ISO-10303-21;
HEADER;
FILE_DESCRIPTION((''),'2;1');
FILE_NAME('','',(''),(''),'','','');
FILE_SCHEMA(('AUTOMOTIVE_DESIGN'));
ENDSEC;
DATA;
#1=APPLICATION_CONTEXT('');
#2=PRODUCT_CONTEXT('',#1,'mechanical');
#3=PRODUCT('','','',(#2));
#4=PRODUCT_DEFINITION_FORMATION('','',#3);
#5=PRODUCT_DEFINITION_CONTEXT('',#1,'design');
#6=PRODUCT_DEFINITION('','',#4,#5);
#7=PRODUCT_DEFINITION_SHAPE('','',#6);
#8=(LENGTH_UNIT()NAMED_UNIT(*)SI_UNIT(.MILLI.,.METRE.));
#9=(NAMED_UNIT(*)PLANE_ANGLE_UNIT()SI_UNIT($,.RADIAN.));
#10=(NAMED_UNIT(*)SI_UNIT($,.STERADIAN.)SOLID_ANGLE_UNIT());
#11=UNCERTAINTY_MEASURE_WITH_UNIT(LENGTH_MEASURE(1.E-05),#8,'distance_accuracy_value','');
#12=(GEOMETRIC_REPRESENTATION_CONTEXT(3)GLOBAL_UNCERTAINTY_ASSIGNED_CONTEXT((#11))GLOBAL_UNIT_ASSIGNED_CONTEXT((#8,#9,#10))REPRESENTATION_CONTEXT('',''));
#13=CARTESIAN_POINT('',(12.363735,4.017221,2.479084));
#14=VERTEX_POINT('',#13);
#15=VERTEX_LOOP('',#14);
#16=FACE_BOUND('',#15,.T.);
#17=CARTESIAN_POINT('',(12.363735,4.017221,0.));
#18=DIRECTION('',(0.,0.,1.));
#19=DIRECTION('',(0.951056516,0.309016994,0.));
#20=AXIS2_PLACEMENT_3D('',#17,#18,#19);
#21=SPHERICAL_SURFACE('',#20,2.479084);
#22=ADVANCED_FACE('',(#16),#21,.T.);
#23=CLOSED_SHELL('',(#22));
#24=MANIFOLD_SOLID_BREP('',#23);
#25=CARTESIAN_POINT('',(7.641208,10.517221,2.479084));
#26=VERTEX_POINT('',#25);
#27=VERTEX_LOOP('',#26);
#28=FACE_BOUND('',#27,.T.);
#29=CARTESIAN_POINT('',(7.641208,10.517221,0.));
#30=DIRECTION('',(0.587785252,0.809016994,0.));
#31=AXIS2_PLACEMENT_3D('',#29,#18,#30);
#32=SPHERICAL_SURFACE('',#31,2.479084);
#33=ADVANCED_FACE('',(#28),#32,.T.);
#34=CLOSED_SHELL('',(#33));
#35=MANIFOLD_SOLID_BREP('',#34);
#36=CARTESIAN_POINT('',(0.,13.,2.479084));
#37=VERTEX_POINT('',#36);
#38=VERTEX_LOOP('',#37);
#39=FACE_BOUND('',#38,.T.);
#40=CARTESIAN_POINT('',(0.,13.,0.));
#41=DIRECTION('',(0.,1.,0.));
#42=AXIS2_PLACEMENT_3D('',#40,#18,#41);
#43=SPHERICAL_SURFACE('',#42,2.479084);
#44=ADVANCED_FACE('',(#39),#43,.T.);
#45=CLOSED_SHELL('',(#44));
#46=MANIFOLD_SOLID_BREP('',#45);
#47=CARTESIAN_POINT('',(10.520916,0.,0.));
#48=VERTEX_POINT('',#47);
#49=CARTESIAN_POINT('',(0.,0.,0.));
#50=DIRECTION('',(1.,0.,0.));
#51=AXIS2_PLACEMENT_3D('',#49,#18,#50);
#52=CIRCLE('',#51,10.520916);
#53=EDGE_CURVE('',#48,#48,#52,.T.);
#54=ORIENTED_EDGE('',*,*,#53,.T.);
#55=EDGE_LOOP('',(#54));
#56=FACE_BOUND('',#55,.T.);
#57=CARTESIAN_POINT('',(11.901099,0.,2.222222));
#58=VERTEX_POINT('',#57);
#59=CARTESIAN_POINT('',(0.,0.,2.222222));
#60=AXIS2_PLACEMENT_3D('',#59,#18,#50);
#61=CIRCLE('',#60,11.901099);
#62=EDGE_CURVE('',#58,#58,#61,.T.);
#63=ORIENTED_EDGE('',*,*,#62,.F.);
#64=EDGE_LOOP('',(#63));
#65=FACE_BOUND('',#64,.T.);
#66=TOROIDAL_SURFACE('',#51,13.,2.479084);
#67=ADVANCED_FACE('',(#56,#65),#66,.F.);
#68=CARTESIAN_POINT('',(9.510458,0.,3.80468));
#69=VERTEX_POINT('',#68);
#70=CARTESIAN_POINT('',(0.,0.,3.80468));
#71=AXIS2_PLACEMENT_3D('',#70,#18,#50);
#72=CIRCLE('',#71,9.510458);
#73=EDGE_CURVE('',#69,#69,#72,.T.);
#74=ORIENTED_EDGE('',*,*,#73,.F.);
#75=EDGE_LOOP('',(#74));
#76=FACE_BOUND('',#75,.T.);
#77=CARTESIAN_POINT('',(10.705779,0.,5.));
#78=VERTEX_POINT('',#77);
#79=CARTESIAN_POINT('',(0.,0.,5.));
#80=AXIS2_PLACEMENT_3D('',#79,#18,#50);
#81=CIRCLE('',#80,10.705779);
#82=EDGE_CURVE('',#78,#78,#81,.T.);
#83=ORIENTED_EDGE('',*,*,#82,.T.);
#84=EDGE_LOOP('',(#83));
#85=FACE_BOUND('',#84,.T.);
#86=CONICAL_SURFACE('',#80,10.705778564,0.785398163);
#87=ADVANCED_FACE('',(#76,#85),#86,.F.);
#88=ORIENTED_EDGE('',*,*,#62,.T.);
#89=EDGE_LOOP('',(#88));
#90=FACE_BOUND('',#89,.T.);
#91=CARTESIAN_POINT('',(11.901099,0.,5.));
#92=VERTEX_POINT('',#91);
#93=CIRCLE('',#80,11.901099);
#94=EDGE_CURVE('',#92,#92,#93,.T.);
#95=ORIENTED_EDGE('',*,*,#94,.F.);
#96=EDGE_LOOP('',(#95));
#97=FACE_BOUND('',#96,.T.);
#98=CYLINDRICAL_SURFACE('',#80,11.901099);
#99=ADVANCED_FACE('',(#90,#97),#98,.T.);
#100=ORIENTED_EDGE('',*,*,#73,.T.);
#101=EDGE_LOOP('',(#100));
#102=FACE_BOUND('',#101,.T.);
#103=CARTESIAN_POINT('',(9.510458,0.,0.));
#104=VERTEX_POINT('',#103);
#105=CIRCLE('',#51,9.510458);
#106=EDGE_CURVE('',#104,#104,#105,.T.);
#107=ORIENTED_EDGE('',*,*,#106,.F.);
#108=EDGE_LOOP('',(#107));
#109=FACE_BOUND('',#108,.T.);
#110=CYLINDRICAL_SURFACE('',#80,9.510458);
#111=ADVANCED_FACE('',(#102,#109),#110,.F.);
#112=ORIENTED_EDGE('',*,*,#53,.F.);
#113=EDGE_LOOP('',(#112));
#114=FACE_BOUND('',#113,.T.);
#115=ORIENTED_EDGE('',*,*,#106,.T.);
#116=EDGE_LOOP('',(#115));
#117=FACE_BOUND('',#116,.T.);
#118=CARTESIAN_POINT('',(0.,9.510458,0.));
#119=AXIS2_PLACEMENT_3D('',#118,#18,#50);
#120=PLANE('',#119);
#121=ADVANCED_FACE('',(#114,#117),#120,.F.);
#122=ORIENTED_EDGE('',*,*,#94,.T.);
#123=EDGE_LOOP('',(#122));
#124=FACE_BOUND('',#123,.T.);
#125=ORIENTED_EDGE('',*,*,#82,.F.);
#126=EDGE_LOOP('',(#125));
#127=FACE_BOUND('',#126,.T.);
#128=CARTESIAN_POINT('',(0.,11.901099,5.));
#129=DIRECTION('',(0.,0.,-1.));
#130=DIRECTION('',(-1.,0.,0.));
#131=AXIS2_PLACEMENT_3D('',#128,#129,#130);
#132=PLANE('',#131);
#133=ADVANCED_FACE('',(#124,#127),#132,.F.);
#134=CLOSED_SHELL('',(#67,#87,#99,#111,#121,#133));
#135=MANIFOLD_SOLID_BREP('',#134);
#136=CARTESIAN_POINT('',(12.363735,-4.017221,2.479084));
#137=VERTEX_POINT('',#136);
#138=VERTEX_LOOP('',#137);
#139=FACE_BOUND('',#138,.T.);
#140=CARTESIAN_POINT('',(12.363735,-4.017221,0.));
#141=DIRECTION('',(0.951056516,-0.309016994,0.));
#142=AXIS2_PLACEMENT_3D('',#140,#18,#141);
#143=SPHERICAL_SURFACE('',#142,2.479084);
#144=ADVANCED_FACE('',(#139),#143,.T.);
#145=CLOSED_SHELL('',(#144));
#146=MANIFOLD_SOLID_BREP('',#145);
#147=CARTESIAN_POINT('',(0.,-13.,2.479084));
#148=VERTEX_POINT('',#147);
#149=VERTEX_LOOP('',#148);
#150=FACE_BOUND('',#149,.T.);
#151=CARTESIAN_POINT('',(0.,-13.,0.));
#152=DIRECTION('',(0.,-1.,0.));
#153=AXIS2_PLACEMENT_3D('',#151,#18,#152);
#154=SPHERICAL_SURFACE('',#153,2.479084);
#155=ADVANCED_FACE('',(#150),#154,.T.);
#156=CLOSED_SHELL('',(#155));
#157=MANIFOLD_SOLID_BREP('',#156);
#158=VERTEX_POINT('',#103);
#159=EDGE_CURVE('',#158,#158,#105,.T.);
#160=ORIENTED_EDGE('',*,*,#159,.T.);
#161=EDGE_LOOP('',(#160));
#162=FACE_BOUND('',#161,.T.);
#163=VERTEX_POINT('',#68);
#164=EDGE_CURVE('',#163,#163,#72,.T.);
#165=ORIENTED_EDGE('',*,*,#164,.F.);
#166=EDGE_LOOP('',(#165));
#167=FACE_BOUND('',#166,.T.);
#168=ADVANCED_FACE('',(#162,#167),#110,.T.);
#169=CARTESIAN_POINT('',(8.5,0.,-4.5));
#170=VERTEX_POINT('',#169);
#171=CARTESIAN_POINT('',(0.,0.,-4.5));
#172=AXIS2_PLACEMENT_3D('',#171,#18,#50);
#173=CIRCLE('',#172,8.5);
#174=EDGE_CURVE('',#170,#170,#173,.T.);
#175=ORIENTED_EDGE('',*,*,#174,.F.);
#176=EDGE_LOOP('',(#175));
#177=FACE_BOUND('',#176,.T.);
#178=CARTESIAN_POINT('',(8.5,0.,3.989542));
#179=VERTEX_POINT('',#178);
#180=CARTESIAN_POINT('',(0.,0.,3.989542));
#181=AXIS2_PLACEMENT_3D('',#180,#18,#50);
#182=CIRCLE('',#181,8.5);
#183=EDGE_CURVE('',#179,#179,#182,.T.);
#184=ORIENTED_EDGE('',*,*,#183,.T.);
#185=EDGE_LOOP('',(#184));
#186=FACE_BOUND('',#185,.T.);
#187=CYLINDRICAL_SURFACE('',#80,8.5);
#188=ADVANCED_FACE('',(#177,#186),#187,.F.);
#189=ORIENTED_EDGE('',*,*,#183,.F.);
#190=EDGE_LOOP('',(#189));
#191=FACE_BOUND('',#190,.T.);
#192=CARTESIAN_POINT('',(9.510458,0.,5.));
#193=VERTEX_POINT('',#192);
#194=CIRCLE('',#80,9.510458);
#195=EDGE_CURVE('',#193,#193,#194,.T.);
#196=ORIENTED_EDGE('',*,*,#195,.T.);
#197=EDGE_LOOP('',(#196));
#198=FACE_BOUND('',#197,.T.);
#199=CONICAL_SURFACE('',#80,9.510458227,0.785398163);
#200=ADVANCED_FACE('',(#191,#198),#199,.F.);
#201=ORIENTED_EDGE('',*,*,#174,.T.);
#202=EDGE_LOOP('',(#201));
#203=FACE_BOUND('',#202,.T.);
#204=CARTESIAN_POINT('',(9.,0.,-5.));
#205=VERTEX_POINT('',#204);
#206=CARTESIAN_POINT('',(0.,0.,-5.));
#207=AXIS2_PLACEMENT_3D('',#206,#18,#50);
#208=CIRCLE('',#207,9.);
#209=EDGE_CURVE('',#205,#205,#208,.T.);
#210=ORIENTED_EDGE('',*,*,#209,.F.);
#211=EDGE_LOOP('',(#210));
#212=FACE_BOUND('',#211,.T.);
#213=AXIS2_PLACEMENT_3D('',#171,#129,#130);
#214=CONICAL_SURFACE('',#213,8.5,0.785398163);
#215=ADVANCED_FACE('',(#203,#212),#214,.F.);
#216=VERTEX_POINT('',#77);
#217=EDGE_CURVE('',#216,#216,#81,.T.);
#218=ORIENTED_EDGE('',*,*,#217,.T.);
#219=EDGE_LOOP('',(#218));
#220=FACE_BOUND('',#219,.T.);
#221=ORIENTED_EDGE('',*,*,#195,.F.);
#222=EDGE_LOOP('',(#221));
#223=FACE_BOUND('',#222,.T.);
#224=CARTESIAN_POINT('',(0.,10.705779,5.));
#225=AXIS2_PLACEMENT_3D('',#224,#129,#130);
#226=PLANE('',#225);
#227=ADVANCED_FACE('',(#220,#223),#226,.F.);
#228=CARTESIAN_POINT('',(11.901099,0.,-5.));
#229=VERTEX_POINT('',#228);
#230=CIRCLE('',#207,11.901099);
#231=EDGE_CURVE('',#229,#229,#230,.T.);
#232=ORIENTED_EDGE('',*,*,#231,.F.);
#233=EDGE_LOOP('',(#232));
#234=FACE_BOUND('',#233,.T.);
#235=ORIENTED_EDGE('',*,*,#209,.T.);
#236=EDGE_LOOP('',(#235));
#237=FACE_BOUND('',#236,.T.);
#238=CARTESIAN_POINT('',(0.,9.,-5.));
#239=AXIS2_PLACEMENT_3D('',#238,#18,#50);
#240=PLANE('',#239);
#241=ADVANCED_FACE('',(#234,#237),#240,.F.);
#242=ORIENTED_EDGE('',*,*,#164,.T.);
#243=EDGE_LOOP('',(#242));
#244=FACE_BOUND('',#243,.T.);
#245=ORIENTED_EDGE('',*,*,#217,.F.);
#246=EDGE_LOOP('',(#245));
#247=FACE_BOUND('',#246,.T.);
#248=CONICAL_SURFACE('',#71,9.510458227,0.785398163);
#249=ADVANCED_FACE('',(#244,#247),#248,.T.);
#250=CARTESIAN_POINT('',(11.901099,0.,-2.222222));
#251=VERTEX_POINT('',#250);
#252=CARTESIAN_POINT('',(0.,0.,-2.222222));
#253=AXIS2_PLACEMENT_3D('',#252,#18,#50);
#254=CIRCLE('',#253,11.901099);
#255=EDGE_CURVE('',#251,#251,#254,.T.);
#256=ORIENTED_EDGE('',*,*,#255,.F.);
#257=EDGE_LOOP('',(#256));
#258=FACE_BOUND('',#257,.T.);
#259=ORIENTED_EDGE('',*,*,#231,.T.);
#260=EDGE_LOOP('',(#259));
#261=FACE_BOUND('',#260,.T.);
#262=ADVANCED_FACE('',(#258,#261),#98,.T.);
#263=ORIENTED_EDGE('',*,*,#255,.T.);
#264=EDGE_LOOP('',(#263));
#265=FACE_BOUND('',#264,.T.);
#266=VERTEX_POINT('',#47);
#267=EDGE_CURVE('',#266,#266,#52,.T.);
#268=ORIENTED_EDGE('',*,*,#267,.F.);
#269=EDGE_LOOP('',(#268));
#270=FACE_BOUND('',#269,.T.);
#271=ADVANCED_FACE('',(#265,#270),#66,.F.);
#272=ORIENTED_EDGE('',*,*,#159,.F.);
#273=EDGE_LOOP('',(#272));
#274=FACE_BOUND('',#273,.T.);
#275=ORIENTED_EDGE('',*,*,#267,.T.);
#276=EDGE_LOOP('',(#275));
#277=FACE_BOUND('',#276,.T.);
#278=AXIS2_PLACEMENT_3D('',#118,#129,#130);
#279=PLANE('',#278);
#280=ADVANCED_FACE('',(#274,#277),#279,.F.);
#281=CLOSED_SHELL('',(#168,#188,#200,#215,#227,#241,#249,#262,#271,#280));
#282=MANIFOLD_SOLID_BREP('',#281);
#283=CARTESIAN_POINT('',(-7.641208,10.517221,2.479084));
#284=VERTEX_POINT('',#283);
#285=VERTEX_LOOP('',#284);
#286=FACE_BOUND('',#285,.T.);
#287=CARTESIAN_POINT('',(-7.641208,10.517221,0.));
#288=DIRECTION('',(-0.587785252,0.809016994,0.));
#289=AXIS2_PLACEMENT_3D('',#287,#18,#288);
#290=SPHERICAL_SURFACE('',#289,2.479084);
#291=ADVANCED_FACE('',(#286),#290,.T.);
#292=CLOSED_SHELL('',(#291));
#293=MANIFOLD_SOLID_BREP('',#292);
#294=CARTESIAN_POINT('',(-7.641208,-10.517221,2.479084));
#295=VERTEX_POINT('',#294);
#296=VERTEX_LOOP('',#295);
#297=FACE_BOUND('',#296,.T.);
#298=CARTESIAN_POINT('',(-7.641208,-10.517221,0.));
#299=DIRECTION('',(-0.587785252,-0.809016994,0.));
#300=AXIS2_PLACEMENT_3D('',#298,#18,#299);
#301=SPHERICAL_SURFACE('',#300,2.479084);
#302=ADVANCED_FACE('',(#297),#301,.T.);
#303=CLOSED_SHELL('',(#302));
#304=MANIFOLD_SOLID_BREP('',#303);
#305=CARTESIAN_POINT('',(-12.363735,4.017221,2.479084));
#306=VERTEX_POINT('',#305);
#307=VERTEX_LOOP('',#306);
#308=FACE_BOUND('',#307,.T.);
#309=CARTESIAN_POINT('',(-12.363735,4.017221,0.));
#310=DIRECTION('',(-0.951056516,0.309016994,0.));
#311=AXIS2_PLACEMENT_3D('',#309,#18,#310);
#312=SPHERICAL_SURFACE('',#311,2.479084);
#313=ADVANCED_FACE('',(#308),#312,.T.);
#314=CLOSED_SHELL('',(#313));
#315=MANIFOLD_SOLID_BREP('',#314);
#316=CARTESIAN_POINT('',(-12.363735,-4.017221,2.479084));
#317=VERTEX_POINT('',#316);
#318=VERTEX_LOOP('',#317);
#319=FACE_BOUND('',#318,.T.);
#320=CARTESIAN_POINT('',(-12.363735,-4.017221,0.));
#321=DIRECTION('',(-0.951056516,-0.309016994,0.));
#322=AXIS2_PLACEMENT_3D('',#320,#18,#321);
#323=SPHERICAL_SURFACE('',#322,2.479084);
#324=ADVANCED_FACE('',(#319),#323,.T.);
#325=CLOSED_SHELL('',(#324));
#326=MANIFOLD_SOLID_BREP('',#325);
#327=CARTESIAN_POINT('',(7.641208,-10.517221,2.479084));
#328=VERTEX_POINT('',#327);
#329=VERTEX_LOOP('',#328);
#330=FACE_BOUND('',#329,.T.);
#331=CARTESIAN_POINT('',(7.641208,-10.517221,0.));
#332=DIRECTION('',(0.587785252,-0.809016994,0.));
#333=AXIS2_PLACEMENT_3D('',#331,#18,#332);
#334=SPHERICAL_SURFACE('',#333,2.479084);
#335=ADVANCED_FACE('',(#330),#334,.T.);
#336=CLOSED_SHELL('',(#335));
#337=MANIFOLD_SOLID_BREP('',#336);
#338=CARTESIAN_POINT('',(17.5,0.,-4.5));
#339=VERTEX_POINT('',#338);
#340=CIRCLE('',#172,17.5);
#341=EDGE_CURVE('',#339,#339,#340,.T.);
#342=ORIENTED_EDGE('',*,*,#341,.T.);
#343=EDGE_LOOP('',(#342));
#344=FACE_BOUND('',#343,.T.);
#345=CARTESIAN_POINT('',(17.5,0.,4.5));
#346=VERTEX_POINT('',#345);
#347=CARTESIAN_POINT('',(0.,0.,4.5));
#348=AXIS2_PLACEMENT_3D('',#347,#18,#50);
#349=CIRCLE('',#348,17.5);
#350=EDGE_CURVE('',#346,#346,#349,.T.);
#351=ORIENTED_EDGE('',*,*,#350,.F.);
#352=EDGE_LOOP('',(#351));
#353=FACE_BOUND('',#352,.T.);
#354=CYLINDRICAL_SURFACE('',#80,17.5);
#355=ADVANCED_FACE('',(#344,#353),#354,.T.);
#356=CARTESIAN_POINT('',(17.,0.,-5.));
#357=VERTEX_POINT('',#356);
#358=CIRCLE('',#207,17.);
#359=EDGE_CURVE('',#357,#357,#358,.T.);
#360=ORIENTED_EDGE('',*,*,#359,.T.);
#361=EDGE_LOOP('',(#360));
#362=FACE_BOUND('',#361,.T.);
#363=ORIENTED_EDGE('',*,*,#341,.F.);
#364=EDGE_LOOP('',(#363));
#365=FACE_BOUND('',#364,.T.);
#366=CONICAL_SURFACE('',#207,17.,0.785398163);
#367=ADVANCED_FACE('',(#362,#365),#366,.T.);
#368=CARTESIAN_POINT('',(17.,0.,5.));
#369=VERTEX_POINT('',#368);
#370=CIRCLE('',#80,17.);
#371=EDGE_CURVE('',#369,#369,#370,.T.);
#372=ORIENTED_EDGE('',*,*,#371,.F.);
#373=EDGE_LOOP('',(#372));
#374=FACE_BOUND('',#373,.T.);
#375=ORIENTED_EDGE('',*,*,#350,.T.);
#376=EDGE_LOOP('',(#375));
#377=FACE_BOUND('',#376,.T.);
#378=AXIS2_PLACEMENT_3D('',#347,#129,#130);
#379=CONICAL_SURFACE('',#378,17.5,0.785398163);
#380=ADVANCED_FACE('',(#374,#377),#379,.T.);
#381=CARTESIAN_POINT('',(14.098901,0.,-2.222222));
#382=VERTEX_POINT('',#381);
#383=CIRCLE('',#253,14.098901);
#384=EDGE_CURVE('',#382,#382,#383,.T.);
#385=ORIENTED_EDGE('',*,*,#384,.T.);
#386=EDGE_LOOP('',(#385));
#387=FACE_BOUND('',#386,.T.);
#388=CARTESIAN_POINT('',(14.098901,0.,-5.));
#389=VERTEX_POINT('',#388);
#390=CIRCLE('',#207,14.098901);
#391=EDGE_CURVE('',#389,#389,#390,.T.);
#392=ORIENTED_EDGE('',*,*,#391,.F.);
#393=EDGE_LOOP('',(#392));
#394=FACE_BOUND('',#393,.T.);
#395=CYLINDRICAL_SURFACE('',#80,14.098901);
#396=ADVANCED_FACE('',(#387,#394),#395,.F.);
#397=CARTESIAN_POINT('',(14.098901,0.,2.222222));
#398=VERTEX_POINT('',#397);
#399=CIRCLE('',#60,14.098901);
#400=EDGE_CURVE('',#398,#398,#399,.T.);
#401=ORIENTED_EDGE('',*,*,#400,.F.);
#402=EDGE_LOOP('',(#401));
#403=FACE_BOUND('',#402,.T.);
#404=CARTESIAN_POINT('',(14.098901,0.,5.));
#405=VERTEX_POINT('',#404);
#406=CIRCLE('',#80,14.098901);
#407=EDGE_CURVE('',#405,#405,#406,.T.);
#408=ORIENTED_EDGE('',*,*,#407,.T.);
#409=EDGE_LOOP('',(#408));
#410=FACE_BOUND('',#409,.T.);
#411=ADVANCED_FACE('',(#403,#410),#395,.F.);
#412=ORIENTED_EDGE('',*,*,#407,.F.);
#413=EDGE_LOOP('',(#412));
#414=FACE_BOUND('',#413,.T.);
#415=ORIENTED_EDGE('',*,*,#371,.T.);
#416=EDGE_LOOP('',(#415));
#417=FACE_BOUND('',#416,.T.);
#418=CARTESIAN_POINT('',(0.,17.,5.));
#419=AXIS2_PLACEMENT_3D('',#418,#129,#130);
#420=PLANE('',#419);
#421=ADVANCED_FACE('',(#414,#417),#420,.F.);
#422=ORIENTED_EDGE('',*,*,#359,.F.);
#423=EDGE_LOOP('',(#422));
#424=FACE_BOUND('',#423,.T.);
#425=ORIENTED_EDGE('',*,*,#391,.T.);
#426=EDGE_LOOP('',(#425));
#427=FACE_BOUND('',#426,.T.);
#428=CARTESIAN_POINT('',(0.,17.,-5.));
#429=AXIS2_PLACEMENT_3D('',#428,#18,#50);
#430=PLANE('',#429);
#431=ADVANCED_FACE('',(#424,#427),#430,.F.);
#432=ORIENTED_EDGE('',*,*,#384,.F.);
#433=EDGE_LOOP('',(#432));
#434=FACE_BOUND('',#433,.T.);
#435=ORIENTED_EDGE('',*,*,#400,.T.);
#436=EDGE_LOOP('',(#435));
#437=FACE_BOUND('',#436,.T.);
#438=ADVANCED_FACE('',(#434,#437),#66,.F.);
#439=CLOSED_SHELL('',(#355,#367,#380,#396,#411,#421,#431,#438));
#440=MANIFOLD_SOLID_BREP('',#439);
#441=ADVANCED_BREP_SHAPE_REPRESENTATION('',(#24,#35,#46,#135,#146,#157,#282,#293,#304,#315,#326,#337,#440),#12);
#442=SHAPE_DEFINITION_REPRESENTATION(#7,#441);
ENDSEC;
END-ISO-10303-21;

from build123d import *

# Parameters (mm, degrees)
CIRPATTERN1_COUNT = 10


with BuildPart() as part:
    # Sketch1 → Revolve1 (revolve)
    with BuildSketch(Plane(origin=(0, 0, 0), x_dir=(0, 0, -1), z_dir=(1, 0, 0))):
        with BuildLine():
            Line((4.5, 17.5), (-4.5, 17.5))
            Line((-4.5, 17.5), (-5, 17))
            Line((-5, 17), (-5, 14.098901099))
            Line((-5, 14.098901099), (-2.222222222, 14.098901099))
            ThreePointArc((-2.222222222, 14.098901099), (0, 15.479083546), (2.222222222, 14.098901099))
            Line((2.222222222, 14.098901099), (5, 14.098901099))
            Line((5, 14.098901099), (5, 17))
            Line((5, 17), (4.5, 17.5))
        make_face()
    revolve(axis=Axis((0, 0, 5), (0, 0, -1)))


with BuildPart() as body_2:
    # Sketch2 → Revolve2 (revolve)
    with BuildSketch(Plane(origin=(0, 0, 0), x_dir=(0, 0, -1), z_dir=(1, 0, 0))):
        with BuildLine():
            Line((-5, 11.901098901), (-2.222222222, 11.901098901))
            ThreePointArc((-2.222222222, 11.901098901), (-1.307973164, 10.894041446), (0, 10.520916454))
            Line((0, 10.520916454), (0, 9.510458227))
            Line((0, 9.510458227), (-3.804679663, 9.510458227))
            Line((-3.804679663, 9.510458227), (-5, 10.705778564))
            Line((-5, 10.705778564), (-5, 11.901098901))
        make_face()
    revolve(axis=Axis((0, 0, 5), (0, 0, -1)))


with BuildPart() as body_3:
    # Sketch3 → Revolve3 (revolve)
    with BuildSketch(Plane(origin=(0, 0, 0), x_dir=(0, 0, -1), z_dir=(1, 0, 0))):
        with BuildLine():
            Line((-5, 10.705778564), (-3.804679663, 9.510458227))
            Line((-3.804679663, 9.510458227), (0, 9.510458227))
            Line((0, 9.510458227), (0, 10.520916454))
            ThreePointArc((0, 10.520916454), (1.307973164, 10.894041446), (2.222222222, 11.901098901))
            Line((2.222222222, 11.901098901), (5, 11.901098901))
            Line((5, 11.901098901), (5, 9))
            Line((5, 9), (4.5, 8.5))
            Line((4.5, 8.5), (-3.989541773, 8.5))
            Line((-3.989541773, 8.5), (-5, 9.510458227))
            Line((-5, 9.510458227), (-5, 10.705778564))
        make_face()
    revolve(axis=Axis((0, 0, 5), (0, 0, -1)))


with BuildPart() as body_4:
    # Sketch4 → Revolve4 (revolve)
    with BuildSketch(Plane(origin=(0, 0, 0), x_dir=(0, 0, -1), z_dir=(1, 0, 0))):
        with BuildLine():
            Line((-2.479083546, 13), (2.479083546, 13))
            ThreePointArc((2.479083546, 13), (0, 15.479083546), (-2.479083546, 13))
        make_face()
    revolve(axis=Axis((0, 13, 2.479083546), (0, 0, -1)))


with BuildPart() as cirpattern1_1:
    # CirPattern1: pattern copy
    add(body_4.part.rotate(Axis((0, 0, -5), (0, 0, 1)), 1 * 360 / CIRPATTERN1_COUNT))


with BuildPart() as cirpattern1_2:
    # CirPattern1: pattern copy
    add(body_4.part.rotate(Axis((0, 0, -5), (0, 0, 1)), 2 * 360 / CIRPATTERN1_COUNT))


with BuildPart() as cirpattern1_3:
    # CirPattern1: pattern copy
    add(body_4.part.rotate(Axis((0, 0, -5), (0, 0, 1)), 3 * 360 / CIRPATTERN1_COUNT))


with BuildPart() as cirpattern1_4:
    # CirPattern1: pattern copy
    add(body_4.part.rotate(Axis((0, 0, -5), (0, 0, 1)), 4 * 360 / CIRPATTERN1_COUNT))


with BuildPart() as cirpattern1_5:
    # CirPattern1: pattern copy
    add(body_4.part.rotate(Axis((0, 0, -5), (0, 0, 1)), 5 * 360 / CIRPATTERN1_COUNT))


with BuildPart() as cirpattern1_6:
    # CirPattern1: pattern copy
    add(body_4.part.rotate(Axis((0, 0, -5), (0, 0, 1)), 6 * 360 / CIRPATTERN1_COUNT))


with BuildPart() as cirpattern1_7:
    # CirPattern1: pattern copy
    add(body_4.part.rotate(Axis((0, 0, -5), (0, 0, 1)), 7 * 360 / CIRPATTERN1_COUNT))


with BuildPart() as cirpattern1_8:
    # CirPattern1: pattern copy
    add(body_4.part.rotate(Axis((0, 0, -5), (0, 0, 1)), 8 * 360 / CIRPATTERN1_COUNT))


with BuildPart() as cirpattern1_9:
    # CirPattern1: pattern copy
    add(body_4.part.rotate(Axis((0, 0, -5), (0, 0, 1)), 9 * 360 / CIRPATTERN1_COUNT))


solid = Compound([part.part, body_2.part, body_3.part, body_4.part, cirpattern1_1.part, cirpattern1_2.part, cirpattern1_3.part, cirpattern1_4.part, cirpattern1_5.part, cirpattern1_6.part, cirpattern1_7.part, cirpattern1_8.part, cirpattern1_9.part])
